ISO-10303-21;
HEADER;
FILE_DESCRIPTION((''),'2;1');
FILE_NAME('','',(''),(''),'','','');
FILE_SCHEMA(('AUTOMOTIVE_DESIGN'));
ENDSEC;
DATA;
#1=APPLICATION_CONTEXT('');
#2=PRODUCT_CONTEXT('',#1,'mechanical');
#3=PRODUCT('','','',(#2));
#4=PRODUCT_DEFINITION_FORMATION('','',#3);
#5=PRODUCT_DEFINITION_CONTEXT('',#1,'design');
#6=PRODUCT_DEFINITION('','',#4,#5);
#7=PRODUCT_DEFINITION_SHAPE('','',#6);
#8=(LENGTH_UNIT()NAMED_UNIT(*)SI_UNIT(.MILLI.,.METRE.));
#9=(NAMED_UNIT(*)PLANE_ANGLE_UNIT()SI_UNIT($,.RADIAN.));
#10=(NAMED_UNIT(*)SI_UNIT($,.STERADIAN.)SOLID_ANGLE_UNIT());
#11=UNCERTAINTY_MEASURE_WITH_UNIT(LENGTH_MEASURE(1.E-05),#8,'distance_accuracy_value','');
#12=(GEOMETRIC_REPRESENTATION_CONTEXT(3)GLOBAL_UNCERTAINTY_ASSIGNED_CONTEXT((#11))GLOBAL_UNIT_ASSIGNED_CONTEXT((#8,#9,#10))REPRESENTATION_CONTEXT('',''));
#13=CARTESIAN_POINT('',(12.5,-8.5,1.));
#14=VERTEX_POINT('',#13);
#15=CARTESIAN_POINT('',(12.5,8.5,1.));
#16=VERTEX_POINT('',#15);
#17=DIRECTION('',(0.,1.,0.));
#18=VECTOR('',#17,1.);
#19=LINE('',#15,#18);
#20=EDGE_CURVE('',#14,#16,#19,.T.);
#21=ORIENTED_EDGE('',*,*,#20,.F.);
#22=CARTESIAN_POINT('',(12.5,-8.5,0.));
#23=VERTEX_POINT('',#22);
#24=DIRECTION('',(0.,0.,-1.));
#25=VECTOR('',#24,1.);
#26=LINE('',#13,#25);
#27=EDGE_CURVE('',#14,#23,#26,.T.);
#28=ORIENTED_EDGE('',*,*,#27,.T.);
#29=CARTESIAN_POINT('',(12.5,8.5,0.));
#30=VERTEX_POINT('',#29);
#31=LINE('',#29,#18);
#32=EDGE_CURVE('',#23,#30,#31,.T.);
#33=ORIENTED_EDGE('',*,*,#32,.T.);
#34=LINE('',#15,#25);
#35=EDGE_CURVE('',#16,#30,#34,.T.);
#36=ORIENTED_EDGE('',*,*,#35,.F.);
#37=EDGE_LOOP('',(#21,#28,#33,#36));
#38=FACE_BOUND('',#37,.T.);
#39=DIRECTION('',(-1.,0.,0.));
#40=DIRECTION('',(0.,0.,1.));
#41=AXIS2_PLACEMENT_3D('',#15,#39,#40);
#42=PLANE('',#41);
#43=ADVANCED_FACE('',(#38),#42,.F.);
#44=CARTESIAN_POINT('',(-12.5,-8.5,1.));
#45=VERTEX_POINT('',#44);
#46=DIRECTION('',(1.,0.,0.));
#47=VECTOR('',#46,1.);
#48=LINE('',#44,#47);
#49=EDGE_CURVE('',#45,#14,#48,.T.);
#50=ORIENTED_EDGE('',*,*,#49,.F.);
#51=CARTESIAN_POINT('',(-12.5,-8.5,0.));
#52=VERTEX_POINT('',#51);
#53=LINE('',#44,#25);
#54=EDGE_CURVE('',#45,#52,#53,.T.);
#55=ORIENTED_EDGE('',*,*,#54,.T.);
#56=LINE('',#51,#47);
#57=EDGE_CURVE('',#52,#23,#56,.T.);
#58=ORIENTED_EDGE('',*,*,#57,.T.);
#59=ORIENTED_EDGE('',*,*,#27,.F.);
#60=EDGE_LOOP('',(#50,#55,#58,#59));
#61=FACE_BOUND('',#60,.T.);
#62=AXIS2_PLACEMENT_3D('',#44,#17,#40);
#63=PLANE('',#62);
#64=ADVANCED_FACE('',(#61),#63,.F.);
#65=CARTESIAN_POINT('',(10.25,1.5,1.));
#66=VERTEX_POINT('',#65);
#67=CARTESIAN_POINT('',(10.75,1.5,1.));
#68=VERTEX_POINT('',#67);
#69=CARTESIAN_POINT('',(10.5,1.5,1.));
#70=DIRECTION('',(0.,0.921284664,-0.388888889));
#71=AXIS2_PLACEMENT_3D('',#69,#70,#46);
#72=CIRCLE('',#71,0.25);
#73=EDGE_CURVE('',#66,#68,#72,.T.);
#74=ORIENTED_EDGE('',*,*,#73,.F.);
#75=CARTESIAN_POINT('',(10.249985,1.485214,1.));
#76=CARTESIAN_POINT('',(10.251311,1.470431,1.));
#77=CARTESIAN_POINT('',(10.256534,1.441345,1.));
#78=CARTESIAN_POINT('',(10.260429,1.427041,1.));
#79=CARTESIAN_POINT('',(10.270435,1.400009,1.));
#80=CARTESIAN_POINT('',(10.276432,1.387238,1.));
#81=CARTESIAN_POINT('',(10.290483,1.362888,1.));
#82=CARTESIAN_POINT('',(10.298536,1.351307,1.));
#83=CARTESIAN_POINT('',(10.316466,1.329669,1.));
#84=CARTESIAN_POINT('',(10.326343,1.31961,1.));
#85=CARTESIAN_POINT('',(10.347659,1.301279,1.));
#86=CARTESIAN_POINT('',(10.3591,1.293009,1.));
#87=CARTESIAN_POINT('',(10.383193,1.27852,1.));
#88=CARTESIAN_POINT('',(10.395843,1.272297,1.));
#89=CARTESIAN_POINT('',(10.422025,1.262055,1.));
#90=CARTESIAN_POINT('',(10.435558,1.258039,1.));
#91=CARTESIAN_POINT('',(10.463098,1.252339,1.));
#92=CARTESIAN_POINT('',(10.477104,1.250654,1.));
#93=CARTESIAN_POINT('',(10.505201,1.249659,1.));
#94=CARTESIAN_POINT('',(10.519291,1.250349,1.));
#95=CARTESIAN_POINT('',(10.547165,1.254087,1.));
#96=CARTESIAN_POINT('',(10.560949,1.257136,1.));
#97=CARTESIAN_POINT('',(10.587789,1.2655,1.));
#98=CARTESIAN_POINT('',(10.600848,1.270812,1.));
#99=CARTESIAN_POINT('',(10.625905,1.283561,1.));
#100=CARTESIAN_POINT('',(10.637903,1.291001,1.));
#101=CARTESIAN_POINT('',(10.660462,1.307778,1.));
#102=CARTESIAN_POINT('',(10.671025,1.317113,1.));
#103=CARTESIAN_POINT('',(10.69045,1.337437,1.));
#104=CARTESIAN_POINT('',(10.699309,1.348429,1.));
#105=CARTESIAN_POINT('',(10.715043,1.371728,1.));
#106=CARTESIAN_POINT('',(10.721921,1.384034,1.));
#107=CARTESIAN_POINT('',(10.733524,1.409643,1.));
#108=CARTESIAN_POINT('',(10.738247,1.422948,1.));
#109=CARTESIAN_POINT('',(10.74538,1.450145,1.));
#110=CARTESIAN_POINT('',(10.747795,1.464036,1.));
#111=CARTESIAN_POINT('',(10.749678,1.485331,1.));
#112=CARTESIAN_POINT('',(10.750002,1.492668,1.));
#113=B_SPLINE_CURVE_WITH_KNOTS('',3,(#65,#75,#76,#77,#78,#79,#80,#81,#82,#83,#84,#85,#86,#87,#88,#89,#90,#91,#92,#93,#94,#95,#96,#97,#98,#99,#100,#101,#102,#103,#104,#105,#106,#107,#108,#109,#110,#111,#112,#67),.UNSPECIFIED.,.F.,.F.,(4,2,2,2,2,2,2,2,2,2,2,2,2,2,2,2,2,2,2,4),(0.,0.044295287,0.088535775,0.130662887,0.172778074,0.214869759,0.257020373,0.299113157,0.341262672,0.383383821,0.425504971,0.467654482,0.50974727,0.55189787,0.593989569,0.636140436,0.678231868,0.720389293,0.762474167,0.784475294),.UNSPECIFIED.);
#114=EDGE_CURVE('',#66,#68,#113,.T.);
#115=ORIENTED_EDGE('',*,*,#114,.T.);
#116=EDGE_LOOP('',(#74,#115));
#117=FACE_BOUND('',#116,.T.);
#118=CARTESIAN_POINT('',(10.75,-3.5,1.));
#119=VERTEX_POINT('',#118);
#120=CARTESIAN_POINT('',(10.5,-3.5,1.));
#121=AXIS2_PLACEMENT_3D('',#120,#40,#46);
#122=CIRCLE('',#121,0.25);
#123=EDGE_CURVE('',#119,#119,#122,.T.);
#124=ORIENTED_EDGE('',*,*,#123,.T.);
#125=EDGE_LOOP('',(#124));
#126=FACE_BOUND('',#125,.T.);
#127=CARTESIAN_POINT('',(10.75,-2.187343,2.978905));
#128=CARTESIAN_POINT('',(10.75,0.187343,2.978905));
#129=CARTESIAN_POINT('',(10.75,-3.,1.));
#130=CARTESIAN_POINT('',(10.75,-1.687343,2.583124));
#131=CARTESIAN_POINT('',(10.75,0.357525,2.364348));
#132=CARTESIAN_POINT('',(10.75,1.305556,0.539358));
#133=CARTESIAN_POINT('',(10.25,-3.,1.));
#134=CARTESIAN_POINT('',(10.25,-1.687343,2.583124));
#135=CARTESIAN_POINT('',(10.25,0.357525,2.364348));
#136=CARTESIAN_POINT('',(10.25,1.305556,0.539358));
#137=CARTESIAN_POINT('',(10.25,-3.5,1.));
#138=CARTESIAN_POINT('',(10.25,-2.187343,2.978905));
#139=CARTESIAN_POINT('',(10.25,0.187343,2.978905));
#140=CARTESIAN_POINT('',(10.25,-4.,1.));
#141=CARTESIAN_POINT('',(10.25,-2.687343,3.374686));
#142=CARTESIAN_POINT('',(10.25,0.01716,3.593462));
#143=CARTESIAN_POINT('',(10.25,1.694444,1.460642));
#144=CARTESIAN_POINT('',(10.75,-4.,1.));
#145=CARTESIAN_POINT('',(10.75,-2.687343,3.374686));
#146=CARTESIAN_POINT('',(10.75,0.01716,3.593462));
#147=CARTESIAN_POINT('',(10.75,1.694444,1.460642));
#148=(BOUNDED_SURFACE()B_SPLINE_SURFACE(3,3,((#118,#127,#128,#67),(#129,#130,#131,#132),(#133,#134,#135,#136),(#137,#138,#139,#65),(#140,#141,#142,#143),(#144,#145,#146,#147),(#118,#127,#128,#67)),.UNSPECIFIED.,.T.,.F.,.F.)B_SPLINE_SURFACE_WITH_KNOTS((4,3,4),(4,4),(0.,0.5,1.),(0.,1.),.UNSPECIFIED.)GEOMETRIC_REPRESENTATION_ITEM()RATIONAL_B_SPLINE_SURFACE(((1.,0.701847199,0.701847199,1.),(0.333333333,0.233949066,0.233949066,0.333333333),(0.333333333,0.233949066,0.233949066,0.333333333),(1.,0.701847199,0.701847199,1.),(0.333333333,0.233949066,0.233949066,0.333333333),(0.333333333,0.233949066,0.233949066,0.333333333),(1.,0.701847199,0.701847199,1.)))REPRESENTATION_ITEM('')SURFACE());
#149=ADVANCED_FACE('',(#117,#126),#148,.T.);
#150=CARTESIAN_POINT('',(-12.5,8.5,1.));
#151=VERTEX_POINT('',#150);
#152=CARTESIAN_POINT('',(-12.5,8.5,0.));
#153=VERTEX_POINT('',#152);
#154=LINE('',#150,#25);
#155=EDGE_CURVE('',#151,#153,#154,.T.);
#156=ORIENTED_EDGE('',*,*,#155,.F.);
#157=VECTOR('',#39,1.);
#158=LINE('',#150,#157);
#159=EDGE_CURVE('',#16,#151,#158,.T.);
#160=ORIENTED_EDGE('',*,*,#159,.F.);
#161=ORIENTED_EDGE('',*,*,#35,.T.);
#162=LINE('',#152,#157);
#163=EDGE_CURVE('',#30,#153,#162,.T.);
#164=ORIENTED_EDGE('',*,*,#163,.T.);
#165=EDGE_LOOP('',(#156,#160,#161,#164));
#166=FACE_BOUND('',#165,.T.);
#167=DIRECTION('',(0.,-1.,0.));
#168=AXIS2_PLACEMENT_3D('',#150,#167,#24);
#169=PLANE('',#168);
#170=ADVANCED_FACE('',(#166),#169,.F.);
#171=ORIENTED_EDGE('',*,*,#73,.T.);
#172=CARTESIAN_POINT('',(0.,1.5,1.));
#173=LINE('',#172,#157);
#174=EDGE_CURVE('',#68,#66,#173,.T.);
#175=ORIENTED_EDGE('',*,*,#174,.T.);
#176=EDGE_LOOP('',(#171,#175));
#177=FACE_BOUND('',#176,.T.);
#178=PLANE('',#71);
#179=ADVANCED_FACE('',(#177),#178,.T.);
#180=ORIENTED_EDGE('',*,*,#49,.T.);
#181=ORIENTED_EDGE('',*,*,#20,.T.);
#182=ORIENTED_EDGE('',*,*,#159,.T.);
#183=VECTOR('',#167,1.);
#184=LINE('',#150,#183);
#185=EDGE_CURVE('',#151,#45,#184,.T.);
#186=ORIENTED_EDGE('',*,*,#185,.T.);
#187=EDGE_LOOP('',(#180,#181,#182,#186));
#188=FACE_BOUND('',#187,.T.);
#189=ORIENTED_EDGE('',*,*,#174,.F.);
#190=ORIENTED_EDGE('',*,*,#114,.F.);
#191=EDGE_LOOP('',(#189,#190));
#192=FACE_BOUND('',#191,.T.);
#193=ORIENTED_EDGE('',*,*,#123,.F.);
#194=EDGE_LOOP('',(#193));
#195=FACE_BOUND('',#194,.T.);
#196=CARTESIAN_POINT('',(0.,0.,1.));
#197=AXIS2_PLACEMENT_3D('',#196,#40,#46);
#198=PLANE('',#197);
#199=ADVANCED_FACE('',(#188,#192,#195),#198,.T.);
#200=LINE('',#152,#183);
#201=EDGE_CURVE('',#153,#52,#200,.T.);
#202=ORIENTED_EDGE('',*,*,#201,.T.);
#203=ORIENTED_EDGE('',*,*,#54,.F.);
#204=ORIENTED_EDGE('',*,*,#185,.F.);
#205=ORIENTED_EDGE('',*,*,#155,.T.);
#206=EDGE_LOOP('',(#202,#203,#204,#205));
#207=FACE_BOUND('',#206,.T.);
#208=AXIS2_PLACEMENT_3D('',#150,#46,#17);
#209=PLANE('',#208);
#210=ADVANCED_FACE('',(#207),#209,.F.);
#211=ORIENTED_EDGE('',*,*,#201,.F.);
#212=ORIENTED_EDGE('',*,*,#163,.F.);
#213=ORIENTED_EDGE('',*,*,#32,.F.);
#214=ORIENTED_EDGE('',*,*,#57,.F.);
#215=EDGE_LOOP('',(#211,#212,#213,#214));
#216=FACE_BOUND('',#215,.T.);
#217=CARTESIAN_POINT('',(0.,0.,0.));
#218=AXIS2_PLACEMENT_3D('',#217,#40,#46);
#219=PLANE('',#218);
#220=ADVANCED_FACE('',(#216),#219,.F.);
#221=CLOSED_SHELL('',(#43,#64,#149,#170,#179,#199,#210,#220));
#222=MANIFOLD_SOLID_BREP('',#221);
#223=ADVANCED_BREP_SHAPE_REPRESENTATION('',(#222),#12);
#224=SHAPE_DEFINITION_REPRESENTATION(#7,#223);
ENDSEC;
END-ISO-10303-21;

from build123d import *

# Parameters (mm, degrees)
SKETCH_1_W      = 25
SKETCH_1_H      = 17
EXTRUDE_1_DEPTH = 1
SKETCH_3_R      = 0.25


with BuildPart() as part:
    # 草圖1 → 填料-伸長1 (new body)
    with BuildSketch(Plane.XY):
        Rectangle(SKETCH_1_W, SKETCH_1_H)
    extrude(amount=EXTRUDE_1_DEPTH)

    # 掃出1: sweep along a path in 草圖4
    with BuildLine(Plane(origin=(10.5, 0, 0), x_dir=(0, 0, -1), z_dir=(1, 0, 0))) as sweep_1_path:
        ThreePointArc((-1, -3.5), (-2.341687605, -1), (-1, 1.5))
    # 草圖3 → 掃出1 (sweep)
    with BuildSketch(Plane.XY.offset(1)):
        with Locations((10.5, -3.5)):
            Circle(SKETCH_3_R)
    sweep(path=sweep_1_path.line)


solid = part.part
